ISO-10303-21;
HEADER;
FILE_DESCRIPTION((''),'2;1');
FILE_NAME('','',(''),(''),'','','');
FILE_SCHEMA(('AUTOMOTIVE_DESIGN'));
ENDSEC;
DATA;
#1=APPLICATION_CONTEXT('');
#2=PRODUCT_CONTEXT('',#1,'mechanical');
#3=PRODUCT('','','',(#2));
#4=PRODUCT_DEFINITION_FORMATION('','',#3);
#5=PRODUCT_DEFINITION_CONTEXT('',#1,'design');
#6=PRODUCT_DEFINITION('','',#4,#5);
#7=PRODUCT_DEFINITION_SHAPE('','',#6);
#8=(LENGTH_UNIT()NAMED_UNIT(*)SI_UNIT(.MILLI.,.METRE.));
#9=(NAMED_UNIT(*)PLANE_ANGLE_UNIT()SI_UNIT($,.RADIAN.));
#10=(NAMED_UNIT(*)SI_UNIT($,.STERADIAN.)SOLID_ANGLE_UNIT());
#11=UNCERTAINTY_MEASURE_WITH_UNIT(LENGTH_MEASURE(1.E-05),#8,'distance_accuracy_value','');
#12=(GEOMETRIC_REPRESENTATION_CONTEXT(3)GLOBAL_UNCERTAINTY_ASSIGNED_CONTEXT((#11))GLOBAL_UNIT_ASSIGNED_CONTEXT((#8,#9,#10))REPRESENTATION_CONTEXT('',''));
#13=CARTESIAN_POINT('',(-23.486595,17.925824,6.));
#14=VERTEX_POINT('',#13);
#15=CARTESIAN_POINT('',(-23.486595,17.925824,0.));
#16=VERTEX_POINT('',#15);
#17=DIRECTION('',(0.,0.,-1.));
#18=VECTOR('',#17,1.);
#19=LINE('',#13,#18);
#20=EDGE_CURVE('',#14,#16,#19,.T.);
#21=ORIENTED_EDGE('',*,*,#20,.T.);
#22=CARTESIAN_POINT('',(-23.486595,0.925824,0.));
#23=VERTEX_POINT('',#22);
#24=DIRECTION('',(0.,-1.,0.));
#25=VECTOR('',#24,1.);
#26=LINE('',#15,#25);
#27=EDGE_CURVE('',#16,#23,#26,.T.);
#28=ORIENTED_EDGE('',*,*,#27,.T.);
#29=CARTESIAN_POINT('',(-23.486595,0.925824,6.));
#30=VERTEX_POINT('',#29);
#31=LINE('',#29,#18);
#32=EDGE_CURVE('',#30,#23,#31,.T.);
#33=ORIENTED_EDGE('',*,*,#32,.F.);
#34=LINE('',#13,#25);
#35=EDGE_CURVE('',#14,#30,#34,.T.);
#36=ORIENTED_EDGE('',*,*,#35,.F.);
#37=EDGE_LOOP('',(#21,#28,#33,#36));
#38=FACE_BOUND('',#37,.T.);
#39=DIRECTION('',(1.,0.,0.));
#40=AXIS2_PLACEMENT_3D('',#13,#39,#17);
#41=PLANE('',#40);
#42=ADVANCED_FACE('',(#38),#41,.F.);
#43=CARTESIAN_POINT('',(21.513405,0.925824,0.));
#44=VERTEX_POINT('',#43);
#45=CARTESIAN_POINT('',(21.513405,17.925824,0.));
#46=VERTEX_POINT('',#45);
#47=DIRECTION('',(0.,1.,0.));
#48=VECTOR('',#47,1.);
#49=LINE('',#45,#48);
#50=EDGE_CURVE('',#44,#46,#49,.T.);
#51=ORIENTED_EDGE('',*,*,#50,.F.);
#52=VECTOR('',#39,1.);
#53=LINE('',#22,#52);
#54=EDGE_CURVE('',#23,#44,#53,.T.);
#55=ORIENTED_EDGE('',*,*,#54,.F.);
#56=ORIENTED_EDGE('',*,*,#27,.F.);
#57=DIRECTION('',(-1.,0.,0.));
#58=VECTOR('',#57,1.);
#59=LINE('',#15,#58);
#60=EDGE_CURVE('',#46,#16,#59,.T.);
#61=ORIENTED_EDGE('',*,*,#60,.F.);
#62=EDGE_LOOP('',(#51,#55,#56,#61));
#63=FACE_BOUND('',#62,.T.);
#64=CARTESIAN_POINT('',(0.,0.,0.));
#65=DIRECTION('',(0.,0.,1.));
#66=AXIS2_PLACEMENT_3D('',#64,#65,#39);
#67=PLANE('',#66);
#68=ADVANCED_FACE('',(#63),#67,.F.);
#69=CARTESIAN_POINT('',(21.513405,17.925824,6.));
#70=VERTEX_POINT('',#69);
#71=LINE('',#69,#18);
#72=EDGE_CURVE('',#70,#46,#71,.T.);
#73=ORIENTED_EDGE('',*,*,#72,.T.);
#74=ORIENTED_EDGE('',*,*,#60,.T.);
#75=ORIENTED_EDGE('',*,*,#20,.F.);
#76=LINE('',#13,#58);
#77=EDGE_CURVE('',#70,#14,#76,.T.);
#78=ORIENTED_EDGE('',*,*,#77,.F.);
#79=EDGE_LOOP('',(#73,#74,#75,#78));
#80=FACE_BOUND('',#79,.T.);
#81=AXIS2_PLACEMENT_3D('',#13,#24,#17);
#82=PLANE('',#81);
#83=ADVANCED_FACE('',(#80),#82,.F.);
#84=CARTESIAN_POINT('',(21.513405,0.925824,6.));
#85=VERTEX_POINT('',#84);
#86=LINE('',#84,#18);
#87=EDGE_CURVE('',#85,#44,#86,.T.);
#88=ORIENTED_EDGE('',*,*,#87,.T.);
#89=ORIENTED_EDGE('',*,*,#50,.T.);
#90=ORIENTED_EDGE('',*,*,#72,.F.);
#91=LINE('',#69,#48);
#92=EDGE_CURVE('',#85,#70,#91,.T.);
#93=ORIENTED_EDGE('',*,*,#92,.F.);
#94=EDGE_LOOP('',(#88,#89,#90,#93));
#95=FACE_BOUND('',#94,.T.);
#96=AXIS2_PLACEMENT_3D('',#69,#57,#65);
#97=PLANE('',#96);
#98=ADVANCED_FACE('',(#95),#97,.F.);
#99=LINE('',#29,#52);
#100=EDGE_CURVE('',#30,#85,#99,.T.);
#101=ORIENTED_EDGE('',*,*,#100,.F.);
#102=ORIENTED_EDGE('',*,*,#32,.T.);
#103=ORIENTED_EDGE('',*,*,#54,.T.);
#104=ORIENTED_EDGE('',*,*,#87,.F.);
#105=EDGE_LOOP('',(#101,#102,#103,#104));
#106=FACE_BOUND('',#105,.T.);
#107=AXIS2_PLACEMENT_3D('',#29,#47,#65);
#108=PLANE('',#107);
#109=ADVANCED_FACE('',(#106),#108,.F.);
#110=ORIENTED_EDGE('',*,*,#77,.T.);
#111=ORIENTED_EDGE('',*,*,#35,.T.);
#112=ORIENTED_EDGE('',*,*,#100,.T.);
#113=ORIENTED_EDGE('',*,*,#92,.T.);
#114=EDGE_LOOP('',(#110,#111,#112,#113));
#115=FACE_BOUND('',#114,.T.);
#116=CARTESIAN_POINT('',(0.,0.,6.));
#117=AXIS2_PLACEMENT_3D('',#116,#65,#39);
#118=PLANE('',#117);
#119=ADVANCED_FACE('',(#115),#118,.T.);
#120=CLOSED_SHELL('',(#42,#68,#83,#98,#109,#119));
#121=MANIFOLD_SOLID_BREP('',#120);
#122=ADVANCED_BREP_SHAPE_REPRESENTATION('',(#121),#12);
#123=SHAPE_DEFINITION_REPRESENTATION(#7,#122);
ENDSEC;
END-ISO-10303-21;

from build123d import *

# Parameters (mm, degrees)
SKETCH1_W           = 45
SKETCH1_H           = 17
BOSS_EXTRUDE1_DEPTH = 6


with BuildPart() as part:
    # Sketch1 → Boss-Extrude1 (new body)
    with BuildSketch(Plane.XY):
        with Locations((-0.986594838, 9.425824176)):
            Rectangle(SKETCH1_W, SKETCH1_H)
    extrude(amount=BOSS_EXTRUDE1_DEPTH)


solid = part.part
